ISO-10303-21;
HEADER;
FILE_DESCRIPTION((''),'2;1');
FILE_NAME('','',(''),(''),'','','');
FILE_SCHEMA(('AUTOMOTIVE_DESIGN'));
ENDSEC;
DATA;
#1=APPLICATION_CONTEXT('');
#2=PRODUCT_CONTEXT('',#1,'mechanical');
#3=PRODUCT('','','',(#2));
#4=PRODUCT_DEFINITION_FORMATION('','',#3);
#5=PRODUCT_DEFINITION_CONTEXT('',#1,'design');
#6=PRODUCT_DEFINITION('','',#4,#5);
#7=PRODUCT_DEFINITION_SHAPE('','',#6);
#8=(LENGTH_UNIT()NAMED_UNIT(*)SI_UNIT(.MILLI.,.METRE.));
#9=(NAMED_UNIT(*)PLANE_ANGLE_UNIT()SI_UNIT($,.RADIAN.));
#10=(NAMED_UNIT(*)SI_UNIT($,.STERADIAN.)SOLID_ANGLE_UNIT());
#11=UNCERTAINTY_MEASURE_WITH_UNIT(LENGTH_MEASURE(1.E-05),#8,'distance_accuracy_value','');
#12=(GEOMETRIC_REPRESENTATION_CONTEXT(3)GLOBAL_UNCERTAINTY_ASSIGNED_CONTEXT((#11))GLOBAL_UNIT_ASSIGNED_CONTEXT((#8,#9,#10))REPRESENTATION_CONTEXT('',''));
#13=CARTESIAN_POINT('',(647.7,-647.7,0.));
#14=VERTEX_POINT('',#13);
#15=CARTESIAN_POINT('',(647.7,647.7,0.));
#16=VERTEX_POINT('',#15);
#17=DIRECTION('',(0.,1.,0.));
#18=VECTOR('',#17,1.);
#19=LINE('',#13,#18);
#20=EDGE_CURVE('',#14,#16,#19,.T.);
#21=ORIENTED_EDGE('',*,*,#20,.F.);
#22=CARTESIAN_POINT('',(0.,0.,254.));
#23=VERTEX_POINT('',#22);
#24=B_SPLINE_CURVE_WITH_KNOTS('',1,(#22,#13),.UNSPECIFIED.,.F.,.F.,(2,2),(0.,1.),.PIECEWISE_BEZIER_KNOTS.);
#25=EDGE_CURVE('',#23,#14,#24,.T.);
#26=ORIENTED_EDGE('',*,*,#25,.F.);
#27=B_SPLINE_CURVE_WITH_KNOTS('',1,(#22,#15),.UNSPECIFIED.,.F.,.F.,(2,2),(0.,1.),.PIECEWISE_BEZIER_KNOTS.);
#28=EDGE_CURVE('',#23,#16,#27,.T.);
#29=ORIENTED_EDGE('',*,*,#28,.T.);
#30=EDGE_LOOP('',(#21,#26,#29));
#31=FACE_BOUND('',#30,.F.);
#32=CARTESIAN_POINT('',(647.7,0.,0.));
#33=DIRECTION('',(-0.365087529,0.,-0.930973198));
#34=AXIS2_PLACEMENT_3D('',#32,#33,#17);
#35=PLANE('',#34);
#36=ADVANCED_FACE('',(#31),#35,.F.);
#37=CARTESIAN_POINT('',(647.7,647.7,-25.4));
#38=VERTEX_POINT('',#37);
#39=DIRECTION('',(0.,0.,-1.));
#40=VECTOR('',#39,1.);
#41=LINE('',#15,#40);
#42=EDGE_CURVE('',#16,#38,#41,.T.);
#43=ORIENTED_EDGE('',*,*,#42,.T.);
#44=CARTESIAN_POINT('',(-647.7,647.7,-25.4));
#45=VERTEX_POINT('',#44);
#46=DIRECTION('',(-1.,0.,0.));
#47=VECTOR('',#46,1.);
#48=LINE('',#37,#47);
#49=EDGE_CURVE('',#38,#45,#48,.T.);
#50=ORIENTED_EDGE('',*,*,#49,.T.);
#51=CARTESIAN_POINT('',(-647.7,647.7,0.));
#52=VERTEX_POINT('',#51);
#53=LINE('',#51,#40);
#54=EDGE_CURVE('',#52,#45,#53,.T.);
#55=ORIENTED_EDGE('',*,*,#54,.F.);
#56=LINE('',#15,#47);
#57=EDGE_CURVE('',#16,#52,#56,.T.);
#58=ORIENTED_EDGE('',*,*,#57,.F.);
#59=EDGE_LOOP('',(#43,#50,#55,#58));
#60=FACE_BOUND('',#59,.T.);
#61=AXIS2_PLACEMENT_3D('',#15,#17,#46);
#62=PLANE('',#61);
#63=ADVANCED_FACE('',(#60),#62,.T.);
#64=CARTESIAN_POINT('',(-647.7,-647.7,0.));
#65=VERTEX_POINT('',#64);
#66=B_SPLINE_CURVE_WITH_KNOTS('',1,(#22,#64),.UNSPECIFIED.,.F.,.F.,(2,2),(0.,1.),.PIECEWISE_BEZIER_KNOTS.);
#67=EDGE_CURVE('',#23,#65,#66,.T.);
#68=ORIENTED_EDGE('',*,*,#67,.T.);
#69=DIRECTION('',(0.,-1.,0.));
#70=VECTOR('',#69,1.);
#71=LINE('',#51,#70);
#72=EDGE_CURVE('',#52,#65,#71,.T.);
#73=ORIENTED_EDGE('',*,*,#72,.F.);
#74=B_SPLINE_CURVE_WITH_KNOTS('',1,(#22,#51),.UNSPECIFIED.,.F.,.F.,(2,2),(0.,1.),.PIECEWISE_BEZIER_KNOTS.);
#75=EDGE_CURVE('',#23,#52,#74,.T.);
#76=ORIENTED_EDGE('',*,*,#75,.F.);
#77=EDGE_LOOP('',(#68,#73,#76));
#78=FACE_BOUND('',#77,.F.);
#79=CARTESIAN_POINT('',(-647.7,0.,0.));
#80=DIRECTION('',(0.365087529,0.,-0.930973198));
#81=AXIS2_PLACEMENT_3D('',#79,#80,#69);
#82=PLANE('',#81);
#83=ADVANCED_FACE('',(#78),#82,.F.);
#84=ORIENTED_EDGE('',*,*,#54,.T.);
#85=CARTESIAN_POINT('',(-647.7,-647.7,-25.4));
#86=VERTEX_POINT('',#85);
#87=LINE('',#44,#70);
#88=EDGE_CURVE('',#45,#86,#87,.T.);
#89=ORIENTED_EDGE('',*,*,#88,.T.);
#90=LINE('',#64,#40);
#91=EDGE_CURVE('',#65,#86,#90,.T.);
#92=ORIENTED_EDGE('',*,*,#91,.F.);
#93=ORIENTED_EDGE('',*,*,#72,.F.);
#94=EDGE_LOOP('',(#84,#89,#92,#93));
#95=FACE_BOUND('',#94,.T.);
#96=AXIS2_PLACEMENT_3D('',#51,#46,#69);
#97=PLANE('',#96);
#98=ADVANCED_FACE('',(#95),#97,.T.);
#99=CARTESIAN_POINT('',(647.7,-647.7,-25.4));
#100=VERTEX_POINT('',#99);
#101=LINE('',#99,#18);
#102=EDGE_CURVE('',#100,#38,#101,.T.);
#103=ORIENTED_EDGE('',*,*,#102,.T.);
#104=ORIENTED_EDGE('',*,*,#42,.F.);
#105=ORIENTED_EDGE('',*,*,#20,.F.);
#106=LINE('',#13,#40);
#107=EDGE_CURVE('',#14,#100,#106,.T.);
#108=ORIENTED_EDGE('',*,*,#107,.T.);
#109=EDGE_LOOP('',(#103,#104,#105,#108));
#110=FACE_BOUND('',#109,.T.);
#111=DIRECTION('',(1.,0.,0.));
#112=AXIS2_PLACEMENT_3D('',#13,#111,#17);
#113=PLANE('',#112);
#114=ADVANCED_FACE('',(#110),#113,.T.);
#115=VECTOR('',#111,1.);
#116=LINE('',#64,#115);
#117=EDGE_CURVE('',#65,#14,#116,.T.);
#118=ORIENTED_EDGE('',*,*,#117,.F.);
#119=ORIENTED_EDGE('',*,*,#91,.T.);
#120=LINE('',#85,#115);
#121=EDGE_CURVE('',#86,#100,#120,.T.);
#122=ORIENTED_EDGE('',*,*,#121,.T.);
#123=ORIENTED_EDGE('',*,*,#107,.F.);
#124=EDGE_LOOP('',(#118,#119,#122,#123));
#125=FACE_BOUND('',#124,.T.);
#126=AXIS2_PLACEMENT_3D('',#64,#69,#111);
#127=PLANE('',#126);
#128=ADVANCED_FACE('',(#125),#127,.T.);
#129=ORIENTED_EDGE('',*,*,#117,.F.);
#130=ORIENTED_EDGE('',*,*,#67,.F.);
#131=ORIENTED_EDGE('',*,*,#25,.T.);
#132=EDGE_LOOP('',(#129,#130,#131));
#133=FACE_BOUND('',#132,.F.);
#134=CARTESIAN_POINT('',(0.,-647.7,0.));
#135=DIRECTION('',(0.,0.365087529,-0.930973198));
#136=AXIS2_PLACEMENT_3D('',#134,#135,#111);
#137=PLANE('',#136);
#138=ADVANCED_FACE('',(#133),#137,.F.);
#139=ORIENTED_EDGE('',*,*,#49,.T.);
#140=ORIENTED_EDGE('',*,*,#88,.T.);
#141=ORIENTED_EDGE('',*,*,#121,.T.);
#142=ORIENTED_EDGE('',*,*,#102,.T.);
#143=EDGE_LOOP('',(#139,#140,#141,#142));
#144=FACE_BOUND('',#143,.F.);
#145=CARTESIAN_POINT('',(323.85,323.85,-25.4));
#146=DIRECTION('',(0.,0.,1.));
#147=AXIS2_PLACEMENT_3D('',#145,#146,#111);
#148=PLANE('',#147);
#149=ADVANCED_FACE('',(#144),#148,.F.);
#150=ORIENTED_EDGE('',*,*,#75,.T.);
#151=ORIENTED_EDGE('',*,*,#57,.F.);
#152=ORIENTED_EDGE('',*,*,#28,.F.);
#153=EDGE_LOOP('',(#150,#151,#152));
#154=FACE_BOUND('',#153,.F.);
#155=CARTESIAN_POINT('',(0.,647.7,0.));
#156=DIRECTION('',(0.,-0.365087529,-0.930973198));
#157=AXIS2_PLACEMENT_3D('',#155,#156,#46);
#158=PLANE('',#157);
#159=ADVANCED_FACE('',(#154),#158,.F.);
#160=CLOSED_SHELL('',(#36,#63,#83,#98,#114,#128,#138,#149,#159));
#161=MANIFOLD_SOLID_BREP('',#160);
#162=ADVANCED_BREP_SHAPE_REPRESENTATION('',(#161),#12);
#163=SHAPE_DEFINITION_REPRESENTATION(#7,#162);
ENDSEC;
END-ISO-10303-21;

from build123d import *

# Parameters (mm, degrees)
F0_W      = 647.7
F0_H      = 647.7
F1_DEPTH  = 25.4
F1_FACE_W = 1295.4
F1_FACE_H = 1295.4


with BuildPart() as f1:
    # F0 (on Top) → F1 (new body)
    with BuildSketch(Plane.XY):
        with Locations((323.85, 323.85)):
            Rectangle(F0_W, F0_H)
        with Locations((-323.85, 323.85)):
            Rectangle(F0_W, F0_H)
        with Locations((-323.85, -323.85)):
            Rectangle(F0_W, F0_H)
        with Locations((323.85, -323.85)):
            Rectangle(F0_W, F0_H)
    extrude(amount=-F1_DEPTH)

    # F1_face (on face) → F3 section 0
    with BuildSketch(Plane.XY, mode=Mode.PRIVATE) as f3_s0:
        Rectangle(F1_FACE_W, F1_FACE_H)
    loft([Vertex(0, 0, 254), f3_s0.sketch])


solid = f1.part
